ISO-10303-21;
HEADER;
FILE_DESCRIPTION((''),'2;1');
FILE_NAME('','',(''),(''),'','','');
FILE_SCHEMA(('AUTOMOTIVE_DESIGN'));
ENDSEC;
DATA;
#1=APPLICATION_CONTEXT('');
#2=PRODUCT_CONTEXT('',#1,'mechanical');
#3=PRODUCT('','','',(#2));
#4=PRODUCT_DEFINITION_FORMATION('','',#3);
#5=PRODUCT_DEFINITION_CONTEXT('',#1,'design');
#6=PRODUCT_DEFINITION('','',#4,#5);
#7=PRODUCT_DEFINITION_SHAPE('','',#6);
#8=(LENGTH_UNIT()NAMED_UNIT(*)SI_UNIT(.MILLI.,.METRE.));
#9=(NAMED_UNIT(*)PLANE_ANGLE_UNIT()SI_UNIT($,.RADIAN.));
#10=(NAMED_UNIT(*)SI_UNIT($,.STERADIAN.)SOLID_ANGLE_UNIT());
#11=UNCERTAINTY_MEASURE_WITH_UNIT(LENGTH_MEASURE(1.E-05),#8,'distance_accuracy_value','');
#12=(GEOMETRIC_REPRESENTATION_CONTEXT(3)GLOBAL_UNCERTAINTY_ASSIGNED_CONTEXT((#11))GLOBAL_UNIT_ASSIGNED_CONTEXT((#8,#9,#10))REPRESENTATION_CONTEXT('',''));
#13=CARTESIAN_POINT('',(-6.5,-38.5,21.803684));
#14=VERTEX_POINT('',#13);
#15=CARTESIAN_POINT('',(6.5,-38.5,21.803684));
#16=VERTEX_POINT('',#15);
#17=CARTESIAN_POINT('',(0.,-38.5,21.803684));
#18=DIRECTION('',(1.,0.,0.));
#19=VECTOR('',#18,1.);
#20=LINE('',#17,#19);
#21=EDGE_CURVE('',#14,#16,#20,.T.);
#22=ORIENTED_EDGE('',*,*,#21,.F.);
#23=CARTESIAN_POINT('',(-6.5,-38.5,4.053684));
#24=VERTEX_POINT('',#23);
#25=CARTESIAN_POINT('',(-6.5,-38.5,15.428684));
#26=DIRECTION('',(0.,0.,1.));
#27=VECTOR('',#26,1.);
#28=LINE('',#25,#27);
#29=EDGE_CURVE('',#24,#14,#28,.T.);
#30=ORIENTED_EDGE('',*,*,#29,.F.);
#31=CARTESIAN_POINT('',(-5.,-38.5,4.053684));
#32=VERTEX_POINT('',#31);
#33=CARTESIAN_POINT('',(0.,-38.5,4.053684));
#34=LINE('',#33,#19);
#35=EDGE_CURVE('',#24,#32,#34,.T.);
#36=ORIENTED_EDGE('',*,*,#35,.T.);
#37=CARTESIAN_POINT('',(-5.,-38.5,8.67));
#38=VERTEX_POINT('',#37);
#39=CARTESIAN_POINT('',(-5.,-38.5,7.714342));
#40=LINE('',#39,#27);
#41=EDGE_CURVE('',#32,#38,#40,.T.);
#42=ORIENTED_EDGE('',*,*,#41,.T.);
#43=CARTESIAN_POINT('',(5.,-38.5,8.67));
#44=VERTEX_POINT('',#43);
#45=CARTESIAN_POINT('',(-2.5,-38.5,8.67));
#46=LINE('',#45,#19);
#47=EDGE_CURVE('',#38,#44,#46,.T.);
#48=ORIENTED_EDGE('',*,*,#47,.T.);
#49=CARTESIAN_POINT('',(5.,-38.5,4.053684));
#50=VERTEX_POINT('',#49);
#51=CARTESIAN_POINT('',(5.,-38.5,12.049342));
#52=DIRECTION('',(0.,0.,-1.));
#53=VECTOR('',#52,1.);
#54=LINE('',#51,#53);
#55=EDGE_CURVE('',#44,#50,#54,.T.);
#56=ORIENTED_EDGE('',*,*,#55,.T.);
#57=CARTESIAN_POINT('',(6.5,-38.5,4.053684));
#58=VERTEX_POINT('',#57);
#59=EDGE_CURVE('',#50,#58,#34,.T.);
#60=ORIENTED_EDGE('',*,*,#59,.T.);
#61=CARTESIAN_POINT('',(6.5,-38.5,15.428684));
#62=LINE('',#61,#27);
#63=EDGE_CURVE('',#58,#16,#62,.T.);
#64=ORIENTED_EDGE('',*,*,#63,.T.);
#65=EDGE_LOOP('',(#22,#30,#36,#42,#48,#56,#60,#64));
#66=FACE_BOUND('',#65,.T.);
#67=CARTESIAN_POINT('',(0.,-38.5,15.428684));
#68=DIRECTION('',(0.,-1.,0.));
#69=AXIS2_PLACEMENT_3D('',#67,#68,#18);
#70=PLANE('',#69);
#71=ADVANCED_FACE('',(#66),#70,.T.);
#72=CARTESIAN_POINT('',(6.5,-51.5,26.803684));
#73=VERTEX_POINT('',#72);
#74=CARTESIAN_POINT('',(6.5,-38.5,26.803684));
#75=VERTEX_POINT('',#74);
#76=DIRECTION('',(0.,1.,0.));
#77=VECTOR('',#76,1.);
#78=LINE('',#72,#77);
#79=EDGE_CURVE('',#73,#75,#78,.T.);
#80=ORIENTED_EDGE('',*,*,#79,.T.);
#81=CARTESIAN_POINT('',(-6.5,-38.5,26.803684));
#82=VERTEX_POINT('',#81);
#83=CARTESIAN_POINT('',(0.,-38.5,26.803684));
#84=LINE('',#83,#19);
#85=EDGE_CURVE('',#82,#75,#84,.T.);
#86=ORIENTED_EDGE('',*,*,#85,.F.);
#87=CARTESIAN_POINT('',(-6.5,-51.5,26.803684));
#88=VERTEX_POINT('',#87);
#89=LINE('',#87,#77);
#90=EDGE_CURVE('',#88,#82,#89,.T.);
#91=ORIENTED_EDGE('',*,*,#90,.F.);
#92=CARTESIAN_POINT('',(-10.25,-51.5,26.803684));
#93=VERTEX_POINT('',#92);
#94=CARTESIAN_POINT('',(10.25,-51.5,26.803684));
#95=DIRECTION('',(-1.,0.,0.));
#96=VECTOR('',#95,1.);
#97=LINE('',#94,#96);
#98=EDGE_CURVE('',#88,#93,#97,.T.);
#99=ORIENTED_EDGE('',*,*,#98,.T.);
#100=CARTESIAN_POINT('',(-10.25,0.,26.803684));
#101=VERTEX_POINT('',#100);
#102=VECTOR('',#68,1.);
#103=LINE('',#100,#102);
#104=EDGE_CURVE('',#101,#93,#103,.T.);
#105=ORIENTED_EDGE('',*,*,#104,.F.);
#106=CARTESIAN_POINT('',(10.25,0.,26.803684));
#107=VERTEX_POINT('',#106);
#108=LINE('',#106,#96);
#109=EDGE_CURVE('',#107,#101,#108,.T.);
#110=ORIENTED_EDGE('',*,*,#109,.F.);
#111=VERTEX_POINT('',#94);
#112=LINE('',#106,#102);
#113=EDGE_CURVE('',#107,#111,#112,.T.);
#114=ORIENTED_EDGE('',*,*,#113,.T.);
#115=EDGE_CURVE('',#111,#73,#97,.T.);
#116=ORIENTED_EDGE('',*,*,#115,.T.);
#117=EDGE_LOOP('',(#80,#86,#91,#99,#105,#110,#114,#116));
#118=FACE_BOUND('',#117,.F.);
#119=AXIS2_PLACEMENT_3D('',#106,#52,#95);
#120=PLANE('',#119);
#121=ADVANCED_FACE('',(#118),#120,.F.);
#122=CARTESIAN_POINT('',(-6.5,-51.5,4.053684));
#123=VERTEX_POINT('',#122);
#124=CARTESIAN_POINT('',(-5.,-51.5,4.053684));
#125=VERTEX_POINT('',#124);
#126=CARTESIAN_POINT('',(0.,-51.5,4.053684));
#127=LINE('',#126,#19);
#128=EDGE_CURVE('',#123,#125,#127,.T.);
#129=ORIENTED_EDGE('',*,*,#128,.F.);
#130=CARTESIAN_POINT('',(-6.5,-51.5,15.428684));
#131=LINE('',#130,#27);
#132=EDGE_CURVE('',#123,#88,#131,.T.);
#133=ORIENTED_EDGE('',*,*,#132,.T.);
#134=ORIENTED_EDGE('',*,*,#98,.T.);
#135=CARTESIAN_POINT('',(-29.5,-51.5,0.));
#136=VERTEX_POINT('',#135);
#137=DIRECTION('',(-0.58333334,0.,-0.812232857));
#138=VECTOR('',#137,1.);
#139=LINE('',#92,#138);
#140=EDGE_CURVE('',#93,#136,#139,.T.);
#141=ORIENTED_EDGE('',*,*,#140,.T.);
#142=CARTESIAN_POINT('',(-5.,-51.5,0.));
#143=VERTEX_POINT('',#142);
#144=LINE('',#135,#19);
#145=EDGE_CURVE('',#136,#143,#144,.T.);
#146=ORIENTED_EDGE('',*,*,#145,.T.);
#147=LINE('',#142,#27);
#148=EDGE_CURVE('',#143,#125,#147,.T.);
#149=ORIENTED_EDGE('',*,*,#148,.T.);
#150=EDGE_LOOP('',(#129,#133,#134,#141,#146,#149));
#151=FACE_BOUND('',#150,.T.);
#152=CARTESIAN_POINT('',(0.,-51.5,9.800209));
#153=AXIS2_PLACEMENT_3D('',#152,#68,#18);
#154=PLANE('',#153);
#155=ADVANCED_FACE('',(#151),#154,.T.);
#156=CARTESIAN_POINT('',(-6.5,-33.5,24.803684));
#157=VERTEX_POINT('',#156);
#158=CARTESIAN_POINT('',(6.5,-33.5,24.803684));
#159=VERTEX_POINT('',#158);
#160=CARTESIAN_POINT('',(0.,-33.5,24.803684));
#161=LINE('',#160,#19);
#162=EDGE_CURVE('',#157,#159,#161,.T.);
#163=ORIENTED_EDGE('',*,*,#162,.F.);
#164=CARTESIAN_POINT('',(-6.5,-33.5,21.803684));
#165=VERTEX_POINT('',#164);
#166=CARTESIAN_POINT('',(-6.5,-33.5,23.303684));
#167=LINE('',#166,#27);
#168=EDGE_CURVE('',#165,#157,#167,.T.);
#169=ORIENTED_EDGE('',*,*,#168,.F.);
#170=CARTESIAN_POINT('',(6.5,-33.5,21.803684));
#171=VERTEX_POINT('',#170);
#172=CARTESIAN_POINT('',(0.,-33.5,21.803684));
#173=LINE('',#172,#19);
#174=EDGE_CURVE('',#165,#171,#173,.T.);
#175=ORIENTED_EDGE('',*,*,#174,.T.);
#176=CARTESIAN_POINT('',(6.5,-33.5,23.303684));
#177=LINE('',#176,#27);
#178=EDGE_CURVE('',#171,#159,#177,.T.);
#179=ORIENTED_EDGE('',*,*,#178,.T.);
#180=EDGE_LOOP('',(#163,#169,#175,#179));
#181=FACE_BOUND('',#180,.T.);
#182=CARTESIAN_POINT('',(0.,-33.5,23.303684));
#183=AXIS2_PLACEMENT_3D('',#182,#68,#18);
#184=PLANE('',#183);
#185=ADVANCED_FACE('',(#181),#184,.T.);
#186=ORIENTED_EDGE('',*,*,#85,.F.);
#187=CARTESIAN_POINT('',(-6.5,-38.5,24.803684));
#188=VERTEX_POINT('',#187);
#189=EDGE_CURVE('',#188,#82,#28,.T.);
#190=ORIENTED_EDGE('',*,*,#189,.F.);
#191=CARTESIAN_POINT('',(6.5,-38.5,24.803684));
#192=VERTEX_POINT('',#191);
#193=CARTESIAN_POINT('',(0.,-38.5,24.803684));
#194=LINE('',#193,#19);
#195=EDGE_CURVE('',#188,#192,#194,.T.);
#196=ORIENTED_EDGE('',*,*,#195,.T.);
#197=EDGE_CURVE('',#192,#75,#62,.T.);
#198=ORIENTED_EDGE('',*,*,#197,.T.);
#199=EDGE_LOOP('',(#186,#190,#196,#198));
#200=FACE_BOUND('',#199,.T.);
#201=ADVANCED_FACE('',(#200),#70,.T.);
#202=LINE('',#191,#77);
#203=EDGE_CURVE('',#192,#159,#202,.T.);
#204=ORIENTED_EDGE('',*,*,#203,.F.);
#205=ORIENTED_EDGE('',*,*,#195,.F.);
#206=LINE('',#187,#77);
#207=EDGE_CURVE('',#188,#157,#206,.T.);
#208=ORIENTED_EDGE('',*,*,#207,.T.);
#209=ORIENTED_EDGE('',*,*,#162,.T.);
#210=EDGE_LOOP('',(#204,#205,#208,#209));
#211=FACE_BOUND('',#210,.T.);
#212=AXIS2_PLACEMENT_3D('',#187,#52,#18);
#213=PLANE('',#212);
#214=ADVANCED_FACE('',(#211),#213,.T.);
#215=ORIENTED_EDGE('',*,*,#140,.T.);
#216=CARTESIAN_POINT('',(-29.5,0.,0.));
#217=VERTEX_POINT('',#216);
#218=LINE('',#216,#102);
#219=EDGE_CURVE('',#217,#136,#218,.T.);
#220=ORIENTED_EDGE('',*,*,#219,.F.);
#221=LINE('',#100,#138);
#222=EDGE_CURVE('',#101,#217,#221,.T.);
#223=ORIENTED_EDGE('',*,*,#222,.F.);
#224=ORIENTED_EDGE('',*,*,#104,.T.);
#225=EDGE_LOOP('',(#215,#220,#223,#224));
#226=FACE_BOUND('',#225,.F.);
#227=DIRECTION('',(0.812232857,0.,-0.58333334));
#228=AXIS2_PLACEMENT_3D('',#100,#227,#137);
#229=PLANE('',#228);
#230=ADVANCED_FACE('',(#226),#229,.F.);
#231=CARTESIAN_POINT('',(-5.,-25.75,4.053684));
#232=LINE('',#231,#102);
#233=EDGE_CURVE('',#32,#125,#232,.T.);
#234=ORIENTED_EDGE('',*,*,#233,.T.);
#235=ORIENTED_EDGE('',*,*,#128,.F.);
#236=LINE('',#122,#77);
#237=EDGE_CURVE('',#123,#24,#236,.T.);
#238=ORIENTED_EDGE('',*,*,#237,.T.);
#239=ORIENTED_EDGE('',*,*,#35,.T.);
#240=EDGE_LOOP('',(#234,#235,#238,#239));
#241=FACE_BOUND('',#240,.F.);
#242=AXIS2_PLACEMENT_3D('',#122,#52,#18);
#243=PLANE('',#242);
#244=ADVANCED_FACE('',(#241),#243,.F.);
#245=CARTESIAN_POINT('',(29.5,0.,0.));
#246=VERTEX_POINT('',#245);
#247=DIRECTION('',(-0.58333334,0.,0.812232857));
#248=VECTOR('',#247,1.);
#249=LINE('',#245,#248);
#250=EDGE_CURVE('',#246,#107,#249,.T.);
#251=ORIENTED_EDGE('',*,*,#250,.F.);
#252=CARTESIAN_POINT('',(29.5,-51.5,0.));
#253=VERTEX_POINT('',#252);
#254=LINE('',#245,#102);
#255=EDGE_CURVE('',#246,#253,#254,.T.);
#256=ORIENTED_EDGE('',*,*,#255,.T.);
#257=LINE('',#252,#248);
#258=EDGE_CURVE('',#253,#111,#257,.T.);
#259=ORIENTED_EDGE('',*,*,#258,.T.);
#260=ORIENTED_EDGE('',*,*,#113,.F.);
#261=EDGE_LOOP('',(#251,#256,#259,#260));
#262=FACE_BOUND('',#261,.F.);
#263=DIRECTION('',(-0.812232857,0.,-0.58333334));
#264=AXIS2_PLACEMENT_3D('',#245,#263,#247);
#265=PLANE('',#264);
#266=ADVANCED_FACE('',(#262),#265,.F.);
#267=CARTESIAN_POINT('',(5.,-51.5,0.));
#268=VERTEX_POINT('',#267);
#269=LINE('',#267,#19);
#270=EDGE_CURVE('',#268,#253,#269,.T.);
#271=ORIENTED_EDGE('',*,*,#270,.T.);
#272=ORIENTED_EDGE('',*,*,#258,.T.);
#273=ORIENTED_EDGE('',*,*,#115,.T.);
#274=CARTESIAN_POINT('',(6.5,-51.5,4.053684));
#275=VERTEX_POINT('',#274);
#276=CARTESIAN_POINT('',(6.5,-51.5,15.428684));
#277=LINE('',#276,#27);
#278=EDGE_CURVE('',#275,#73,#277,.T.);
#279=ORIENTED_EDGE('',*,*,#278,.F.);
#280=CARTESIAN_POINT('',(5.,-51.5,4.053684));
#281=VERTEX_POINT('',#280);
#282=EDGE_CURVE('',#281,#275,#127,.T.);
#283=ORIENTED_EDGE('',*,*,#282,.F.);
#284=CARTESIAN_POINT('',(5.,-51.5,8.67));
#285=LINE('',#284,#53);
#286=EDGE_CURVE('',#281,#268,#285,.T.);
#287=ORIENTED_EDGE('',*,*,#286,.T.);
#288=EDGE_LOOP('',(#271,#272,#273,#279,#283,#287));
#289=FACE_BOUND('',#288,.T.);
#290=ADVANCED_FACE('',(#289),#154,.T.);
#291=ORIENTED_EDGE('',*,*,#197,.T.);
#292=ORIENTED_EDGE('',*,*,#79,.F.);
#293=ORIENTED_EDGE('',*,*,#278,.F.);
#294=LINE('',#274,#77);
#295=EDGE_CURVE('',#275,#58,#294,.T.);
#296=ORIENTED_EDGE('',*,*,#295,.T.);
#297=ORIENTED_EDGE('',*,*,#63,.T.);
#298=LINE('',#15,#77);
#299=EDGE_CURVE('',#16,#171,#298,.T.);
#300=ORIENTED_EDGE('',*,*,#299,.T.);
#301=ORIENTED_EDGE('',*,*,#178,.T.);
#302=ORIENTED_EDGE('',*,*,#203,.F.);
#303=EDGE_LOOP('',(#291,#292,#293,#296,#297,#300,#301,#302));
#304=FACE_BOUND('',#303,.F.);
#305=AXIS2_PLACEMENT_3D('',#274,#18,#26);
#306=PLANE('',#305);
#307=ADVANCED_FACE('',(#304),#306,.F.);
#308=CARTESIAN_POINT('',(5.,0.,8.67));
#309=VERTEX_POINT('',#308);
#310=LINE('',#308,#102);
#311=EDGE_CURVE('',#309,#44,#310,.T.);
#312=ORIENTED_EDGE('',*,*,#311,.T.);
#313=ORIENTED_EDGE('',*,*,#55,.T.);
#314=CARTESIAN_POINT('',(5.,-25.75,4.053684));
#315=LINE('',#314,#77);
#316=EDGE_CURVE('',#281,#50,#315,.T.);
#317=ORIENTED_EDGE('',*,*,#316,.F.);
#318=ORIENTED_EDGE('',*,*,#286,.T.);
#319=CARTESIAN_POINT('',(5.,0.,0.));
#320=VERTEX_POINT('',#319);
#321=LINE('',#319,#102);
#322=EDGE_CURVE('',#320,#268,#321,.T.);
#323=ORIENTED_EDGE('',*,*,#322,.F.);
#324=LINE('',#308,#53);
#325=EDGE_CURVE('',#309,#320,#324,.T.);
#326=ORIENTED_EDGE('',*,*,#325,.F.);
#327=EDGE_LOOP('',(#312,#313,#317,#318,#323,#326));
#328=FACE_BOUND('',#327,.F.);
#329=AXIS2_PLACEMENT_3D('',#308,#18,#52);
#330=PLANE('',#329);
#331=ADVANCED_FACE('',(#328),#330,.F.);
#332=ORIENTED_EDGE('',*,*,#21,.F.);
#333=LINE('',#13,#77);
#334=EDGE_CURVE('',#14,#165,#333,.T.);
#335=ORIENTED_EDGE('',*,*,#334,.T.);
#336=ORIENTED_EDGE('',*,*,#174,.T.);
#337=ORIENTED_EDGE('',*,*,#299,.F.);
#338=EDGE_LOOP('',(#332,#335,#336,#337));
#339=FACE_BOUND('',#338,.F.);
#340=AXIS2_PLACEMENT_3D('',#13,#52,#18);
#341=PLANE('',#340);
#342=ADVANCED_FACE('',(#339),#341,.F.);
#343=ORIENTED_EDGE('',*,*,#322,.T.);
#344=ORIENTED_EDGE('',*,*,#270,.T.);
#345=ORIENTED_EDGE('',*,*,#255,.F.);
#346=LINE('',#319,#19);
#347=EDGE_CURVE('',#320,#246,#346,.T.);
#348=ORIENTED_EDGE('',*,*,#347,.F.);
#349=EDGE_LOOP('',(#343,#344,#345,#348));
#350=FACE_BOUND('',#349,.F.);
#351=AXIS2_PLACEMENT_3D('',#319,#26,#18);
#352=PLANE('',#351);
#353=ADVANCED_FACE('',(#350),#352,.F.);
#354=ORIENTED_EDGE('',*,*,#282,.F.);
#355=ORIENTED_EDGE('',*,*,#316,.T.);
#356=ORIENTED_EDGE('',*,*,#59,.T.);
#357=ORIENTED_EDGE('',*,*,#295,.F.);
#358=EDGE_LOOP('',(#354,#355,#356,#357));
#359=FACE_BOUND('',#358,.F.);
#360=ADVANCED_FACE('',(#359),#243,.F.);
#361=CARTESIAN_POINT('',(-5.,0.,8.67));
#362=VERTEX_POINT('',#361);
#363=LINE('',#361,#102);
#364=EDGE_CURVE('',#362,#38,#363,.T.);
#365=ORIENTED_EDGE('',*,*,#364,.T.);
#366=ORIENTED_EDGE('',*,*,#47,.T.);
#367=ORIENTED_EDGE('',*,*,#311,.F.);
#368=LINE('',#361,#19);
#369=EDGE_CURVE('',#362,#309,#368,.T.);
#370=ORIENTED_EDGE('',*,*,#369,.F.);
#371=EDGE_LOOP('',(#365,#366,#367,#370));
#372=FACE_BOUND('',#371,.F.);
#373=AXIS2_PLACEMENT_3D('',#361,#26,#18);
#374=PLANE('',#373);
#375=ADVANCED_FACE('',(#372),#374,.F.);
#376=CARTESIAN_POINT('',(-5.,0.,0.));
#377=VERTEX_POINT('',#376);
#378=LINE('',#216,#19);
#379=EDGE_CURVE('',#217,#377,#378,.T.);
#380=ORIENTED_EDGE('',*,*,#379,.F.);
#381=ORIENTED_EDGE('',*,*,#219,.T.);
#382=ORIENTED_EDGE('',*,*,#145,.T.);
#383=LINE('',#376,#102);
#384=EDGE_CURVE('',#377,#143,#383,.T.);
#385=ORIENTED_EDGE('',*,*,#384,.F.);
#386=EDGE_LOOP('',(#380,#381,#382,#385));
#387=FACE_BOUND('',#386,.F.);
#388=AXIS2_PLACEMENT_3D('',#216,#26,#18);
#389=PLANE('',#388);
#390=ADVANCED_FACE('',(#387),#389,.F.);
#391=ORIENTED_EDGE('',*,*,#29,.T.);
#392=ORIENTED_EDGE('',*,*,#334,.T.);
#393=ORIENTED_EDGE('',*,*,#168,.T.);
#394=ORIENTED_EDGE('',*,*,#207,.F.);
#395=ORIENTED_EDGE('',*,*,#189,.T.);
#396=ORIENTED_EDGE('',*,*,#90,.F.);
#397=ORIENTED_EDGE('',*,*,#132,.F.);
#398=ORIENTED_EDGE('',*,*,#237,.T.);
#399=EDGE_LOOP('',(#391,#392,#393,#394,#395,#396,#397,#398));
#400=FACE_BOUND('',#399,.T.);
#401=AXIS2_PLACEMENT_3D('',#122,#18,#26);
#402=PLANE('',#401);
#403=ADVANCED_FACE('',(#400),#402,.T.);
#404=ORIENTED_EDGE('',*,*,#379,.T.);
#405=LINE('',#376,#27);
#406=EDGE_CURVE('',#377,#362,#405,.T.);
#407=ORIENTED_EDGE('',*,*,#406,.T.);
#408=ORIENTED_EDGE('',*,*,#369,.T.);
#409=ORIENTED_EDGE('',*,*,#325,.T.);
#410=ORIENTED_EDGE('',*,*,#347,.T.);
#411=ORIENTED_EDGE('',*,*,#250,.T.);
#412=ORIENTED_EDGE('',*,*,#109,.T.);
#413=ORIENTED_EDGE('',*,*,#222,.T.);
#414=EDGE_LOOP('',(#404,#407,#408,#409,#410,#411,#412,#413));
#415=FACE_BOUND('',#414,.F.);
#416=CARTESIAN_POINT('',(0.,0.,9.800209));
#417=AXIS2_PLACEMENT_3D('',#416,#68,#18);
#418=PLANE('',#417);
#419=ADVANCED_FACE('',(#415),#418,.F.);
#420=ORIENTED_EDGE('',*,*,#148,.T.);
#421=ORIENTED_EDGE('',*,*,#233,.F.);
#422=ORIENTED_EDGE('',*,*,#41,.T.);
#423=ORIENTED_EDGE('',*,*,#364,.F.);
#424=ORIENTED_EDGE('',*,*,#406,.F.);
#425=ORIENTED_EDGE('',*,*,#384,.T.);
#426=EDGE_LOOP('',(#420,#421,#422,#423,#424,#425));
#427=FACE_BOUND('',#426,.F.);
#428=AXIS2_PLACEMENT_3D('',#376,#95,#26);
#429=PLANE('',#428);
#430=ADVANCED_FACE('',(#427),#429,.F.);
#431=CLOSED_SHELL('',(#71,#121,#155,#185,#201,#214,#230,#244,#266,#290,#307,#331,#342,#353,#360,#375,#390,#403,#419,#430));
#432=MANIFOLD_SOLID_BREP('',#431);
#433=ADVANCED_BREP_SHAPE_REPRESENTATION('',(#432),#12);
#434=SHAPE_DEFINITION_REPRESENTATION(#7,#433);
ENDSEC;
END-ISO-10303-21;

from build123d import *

# Parameters (mm, degrees)
F1_DEPTH = 51.5
F2_W     = 13
F2_H     = 22.75
F3_DEPTH = 13
F4_W     = 13
F4_H     = 3
F5_DEPTH = 5


with BuildPart() as f1:
    # F0 (on Front) → F1 (new body)
    with BuildSketch(Plane.XZ):
        Polygon((-10.25, 26.803684), (-29.5, 0), (-5, 0), (-5, 8.67), (5, 8.67), (5, 0), (29.5, 0), (10.25, 26.803684), align=None)
    extrude(amount=F1_DEPTH)

    # F2 (on face) → F3 (cut)
    with BuildSketch(Plane.XZ.offset(51.5)):
        with Locations((0, 15.428684)):
            Rectangle(F2_W, F2_H)
    extrude(amount=-F3_DEPTH, mode=Mode.SUBTRACT)

    # F4 (on face) → F5 (cut)
    with BuildSketch(Plane.XZ.offset(38.5)):
        with Locations((0, 23.303684)):
            Rectangle(F4_W, F4_H)
    extrude(amount=-F5_DEPTH, mode=Mode.SUBTRACT)


solid = f1.part
